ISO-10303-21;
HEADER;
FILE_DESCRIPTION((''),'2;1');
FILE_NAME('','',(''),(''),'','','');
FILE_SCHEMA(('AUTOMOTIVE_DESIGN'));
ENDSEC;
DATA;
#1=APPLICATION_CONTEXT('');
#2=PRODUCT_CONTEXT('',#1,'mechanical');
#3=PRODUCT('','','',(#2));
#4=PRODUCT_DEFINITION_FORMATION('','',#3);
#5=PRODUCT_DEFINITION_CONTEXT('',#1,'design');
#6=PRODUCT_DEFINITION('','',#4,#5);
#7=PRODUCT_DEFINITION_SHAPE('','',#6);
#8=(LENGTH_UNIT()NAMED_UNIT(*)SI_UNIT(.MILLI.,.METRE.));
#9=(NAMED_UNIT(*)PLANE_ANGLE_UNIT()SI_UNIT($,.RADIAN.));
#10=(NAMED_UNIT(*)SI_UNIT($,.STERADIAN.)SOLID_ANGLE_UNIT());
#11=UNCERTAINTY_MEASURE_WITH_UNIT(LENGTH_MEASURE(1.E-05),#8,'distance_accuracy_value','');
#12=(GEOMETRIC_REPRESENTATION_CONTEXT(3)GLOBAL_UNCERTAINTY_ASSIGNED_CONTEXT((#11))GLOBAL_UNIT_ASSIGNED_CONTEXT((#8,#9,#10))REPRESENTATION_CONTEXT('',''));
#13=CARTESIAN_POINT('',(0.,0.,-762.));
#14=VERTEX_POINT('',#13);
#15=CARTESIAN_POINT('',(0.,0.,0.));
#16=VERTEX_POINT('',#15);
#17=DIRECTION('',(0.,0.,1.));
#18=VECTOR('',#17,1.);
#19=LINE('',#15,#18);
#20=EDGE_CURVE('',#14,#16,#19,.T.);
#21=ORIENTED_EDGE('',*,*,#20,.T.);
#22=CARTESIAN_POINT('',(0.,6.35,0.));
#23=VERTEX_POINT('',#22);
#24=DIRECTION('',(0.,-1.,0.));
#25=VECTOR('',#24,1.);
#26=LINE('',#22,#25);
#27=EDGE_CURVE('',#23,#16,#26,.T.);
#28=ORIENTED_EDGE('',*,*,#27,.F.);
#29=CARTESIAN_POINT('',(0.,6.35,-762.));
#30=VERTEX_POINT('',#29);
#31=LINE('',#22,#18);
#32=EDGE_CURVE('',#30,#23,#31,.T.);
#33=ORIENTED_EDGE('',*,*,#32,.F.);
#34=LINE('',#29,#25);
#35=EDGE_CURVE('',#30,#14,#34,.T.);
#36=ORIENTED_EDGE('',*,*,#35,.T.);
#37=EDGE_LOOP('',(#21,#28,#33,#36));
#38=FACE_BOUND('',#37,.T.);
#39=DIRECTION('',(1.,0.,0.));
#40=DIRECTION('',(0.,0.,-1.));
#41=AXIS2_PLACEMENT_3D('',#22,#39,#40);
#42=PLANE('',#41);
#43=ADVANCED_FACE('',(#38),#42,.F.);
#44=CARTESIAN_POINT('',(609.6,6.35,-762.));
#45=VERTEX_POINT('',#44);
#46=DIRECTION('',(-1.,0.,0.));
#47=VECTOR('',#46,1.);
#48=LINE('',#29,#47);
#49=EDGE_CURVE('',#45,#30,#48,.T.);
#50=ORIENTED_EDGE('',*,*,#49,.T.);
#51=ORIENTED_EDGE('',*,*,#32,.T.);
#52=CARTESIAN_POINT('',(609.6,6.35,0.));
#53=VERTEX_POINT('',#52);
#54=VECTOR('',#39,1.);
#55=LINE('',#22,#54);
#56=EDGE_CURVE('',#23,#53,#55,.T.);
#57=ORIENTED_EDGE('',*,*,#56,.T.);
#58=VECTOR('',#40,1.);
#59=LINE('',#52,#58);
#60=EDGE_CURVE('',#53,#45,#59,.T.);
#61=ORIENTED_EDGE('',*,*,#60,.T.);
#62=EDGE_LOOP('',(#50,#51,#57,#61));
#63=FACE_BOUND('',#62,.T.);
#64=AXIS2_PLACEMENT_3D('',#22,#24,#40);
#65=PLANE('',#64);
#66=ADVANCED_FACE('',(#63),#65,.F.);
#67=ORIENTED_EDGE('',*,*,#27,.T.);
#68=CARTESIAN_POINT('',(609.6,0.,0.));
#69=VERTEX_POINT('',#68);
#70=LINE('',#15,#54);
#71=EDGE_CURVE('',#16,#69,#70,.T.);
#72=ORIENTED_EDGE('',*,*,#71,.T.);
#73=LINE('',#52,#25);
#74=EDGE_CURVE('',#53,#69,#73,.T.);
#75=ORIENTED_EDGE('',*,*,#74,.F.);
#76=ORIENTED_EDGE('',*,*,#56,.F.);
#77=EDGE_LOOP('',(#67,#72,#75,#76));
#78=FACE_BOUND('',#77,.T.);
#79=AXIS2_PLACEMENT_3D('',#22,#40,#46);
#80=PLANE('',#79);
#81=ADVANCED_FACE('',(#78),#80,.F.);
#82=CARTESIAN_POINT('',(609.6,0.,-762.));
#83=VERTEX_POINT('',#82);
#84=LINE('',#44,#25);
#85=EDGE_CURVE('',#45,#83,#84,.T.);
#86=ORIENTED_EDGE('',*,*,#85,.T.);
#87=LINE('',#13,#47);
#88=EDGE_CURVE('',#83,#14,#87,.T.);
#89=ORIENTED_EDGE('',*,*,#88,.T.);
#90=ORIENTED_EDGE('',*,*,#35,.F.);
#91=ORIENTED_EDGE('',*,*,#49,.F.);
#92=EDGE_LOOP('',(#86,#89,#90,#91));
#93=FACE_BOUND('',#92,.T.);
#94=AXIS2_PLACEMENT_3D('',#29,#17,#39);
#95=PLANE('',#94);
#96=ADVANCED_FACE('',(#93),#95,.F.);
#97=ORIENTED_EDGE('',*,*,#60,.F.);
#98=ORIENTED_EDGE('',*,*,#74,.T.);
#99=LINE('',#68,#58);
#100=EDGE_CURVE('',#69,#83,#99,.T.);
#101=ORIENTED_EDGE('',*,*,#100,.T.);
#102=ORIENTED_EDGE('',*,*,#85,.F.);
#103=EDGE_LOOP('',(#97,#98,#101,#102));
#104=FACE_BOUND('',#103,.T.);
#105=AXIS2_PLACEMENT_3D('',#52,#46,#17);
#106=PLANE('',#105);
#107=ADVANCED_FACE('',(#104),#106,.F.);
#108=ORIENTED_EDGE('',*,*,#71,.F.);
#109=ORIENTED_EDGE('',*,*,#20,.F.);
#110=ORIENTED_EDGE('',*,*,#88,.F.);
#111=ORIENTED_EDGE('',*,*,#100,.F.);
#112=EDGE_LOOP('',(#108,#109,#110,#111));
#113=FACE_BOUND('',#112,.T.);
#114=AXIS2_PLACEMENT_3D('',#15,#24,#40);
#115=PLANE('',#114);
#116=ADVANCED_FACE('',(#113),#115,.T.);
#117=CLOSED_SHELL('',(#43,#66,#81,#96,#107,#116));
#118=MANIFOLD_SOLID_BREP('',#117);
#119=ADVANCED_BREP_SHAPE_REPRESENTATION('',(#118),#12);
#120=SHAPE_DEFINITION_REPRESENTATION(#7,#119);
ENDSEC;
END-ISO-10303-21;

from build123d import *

# Parameters (mm, degrees)
SKETCH1_W           = 609.6
SKETCH1_H           = 762
BOSS_EXTRUDE1_DEPTH = 6.35


with BuildPart() as part:
    # Sketch1 → Boss-Extrude1 (new body)
    with BuildSketch(Plane(origin=(0, 0, 0), x_dir=(1, 0, 0), z_dir=(0, 1, 0))):
        with Locations((304.8, 381)):
            Rectangle(SKETCH1_W, SKETCH1_H)
    extrude(amount=BOSS_EXTRUDE1_DEPTH)


solid = part.part
